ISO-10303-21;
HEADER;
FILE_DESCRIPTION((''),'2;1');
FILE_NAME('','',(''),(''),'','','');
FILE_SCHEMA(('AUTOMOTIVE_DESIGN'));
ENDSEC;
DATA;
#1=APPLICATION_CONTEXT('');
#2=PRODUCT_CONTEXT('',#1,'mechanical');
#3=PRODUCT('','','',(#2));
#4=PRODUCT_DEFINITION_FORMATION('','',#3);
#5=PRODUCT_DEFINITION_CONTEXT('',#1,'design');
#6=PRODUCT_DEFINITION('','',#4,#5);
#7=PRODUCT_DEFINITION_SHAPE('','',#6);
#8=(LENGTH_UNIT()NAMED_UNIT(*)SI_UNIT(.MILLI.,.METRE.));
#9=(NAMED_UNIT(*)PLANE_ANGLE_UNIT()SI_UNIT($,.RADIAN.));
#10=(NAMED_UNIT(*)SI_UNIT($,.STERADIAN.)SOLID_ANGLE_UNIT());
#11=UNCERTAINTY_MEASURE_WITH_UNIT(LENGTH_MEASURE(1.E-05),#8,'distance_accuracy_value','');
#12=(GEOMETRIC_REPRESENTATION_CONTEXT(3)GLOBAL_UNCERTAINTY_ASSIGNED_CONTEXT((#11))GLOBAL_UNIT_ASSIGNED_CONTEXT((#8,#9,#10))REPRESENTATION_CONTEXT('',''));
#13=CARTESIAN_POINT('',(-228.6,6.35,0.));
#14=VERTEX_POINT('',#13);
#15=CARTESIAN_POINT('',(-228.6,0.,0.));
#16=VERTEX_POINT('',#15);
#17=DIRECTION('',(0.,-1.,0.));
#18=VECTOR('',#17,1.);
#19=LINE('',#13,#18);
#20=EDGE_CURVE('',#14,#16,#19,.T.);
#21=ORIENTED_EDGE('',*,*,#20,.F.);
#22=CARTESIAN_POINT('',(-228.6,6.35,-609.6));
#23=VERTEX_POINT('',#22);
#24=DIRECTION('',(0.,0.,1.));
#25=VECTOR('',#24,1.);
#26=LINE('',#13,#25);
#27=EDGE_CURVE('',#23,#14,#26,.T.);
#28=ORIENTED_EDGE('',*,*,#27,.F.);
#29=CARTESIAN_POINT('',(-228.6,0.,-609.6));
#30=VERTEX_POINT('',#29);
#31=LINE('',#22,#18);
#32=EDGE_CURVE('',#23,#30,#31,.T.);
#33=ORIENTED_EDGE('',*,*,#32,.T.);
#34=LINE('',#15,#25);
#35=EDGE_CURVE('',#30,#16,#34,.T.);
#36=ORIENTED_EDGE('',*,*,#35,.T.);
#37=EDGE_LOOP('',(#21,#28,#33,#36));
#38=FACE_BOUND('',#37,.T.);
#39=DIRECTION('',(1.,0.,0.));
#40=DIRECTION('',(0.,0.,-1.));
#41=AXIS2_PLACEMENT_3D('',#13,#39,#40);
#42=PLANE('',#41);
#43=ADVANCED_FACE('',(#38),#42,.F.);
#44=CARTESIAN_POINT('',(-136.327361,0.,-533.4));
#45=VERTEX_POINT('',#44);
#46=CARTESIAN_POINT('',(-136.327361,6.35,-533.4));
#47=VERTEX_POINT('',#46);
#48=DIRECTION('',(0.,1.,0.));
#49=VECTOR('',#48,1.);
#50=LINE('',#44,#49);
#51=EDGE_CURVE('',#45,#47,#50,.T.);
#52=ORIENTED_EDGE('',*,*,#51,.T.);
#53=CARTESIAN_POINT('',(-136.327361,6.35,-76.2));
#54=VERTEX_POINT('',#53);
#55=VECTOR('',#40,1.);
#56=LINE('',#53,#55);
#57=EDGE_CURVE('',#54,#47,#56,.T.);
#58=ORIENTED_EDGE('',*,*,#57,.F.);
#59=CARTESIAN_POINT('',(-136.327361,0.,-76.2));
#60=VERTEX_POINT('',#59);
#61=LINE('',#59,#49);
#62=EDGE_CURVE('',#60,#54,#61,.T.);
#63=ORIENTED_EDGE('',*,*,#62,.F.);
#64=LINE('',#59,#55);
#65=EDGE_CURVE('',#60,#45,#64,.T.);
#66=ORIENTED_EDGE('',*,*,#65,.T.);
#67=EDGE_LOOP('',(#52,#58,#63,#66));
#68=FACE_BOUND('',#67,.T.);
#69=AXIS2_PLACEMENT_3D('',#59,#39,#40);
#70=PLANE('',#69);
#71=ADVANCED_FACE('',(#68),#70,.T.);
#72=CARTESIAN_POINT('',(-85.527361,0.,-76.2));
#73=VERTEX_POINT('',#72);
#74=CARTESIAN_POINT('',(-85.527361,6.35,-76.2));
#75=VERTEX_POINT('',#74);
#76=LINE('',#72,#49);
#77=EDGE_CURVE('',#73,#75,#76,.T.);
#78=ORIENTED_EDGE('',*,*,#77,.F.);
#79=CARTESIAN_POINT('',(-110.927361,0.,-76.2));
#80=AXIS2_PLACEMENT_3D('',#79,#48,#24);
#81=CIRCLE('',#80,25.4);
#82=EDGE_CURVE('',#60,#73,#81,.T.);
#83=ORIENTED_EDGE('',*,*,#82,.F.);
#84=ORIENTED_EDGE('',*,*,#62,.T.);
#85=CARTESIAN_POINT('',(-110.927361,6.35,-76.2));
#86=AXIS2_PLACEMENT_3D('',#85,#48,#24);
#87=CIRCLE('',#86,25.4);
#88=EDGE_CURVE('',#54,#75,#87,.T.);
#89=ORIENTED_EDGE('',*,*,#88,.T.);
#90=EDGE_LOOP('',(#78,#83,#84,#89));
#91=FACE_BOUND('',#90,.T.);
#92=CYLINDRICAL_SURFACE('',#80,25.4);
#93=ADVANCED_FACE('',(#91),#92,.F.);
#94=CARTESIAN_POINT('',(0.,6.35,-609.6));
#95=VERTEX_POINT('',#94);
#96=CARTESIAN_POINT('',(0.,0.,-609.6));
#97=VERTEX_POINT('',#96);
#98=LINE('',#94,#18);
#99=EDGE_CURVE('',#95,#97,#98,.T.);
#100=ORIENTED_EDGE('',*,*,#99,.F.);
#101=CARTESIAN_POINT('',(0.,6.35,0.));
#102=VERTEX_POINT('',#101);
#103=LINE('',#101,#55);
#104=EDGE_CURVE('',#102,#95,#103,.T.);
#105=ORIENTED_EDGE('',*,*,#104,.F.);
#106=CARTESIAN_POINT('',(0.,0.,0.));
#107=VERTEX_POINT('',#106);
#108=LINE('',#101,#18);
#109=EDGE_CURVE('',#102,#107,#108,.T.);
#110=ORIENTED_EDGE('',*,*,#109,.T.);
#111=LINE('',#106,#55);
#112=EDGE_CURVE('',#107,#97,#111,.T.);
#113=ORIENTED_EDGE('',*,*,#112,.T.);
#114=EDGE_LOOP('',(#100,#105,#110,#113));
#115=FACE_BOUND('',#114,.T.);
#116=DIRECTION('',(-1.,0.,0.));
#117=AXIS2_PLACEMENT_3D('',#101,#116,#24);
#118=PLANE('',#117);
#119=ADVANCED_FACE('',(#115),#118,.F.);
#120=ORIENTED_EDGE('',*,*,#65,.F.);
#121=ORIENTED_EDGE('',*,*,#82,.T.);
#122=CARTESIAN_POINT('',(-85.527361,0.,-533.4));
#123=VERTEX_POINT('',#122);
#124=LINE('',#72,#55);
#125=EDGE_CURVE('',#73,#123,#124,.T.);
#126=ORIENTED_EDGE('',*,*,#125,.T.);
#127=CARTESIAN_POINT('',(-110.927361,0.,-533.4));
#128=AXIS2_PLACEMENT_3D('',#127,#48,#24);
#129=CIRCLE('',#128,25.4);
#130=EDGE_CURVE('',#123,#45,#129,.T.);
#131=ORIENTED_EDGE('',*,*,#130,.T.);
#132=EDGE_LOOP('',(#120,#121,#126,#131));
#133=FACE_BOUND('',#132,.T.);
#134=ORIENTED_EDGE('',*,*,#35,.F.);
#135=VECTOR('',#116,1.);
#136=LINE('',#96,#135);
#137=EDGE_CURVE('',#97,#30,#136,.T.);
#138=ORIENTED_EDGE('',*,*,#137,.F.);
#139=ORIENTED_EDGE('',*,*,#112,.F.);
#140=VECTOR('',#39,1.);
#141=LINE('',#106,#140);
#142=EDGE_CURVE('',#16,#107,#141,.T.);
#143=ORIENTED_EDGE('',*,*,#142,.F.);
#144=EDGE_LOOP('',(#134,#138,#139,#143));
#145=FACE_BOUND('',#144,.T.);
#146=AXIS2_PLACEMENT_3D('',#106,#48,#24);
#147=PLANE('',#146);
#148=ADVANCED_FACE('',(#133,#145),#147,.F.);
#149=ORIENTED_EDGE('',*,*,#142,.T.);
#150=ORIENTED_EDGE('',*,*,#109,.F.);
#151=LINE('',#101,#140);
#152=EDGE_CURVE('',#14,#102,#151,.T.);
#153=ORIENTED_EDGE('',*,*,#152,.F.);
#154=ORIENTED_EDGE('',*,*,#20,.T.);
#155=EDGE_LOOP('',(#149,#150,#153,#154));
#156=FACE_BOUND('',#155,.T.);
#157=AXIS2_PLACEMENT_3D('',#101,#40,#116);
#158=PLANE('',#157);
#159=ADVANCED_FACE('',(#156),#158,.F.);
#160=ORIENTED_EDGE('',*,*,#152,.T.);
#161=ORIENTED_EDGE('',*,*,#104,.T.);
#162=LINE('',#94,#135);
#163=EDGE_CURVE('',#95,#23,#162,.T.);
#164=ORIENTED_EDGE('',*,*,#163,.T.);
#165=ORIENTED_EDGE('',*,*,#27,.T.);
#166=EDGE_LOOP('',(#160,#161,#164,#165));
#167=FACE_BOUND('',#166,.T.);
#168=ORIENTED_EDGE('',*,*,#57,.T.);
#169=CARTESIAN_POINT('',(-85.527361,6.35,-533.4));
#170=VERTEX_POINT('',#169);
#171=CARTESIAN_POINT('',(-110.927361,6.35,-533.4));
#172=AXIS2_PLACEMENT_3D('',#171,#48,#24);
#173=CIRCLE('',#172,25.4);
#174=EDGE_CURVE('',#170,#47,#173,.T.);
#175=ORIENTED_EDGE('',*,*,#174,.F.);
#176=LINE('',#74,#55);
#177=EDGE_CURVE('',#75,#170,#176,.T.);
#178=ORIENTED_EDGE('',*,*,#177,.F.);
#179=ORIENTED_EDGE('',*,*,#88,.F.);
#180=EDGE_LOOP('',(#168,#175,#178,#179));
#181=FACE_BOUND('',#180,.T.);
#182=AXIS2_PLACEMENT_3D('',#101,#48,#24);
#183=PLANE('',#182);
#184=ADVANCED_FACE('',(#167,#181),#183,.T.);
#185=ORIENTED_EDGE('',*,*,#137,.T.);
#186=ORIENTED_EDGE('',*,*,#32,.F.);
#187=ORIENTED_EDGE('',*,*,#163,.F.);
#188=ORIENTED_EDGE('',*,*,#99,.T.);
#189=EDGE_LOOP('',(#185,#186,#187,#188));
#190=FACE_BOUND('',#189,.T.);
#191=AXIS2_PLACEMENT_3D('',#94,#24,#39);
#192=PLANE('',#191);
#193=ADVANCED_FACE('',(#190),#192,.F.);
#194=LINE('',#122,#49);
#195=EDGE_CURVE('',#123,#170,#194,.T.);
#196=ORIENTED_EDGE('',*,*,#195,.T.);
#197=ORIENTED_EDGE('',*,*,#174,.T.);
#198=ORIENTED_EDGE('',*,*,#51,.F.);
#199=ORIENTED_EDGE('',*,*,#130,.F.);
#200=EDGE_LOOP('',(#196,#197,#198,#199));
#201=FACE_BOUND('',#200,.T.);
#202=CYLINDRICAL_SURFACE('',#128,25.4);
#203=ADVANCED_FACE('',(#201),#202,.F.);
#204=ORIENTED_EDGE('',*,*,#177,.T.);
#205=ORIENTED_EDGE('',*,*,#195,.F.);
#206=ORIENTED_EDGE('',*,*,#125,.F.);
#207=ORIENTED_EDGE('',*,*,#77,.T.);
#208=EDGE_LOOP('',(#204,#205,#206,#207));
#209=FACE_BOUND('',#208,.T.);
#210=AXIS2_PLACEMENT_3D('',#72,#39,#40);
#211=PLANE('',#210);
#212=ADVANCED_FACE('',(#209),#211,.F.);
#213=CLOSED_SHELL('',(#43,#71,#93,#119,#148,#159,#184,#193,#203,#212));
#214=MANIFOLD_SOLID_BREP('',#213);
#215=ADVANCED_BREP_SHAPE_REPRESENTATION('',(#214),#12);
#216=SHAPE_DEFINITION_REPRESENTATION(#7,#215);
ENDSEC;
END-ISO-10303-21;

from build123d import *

# Parameters (mm, degrees)
SKETCH2_W           = 228.6
SKETCH2_H           = 609.6
BOSS_EXTRUDE1_DEPTH = 6.35
CUT_EXTRUDE1_DEPTH  = 6.35


with BuildPart() as part:
    # Sketch2 → Boss-Extrude1 (new body)
    with BuildSketch(Plane(origin=(0, 0, 0), x_dir=(1, 0, 0), z_dir=(0, 1, 0))):
        with Locations((-114.3, 304.8)):
            Rectangle(SKETCH2_W, SKETCH2_H)
    extrude(amount=BOSS_EXTRUDE1_DEPTH)

    # Sketch3 → Cut-Extrude1 (cut)
    with BuildSketch(Plane(origin=(0, 6.35, 0), x_dir=(1, 0, 0), z_dir=(0, 1, 0))):
        with BuildLine():
            Line((-136.327361064, 76.2), (-136.327361064, 533.4))
            ThreePointArc((-136.327361064, 533.4), (-110.927361064, 558.8), (-85.527361064, 533.4))
            Line((-85.527361064, 533.4), (-85.527361064, 76.2))
            ThreePointArc((-85.527361064, 76.2), (-110.927361064, 50.8), (-136.327361064, 76.2))
        make_face()
    extrude(amount=-CUT_EXTRUDE1_DEPTH, mode=Mode.SUBTRACT)


solid = part.part
